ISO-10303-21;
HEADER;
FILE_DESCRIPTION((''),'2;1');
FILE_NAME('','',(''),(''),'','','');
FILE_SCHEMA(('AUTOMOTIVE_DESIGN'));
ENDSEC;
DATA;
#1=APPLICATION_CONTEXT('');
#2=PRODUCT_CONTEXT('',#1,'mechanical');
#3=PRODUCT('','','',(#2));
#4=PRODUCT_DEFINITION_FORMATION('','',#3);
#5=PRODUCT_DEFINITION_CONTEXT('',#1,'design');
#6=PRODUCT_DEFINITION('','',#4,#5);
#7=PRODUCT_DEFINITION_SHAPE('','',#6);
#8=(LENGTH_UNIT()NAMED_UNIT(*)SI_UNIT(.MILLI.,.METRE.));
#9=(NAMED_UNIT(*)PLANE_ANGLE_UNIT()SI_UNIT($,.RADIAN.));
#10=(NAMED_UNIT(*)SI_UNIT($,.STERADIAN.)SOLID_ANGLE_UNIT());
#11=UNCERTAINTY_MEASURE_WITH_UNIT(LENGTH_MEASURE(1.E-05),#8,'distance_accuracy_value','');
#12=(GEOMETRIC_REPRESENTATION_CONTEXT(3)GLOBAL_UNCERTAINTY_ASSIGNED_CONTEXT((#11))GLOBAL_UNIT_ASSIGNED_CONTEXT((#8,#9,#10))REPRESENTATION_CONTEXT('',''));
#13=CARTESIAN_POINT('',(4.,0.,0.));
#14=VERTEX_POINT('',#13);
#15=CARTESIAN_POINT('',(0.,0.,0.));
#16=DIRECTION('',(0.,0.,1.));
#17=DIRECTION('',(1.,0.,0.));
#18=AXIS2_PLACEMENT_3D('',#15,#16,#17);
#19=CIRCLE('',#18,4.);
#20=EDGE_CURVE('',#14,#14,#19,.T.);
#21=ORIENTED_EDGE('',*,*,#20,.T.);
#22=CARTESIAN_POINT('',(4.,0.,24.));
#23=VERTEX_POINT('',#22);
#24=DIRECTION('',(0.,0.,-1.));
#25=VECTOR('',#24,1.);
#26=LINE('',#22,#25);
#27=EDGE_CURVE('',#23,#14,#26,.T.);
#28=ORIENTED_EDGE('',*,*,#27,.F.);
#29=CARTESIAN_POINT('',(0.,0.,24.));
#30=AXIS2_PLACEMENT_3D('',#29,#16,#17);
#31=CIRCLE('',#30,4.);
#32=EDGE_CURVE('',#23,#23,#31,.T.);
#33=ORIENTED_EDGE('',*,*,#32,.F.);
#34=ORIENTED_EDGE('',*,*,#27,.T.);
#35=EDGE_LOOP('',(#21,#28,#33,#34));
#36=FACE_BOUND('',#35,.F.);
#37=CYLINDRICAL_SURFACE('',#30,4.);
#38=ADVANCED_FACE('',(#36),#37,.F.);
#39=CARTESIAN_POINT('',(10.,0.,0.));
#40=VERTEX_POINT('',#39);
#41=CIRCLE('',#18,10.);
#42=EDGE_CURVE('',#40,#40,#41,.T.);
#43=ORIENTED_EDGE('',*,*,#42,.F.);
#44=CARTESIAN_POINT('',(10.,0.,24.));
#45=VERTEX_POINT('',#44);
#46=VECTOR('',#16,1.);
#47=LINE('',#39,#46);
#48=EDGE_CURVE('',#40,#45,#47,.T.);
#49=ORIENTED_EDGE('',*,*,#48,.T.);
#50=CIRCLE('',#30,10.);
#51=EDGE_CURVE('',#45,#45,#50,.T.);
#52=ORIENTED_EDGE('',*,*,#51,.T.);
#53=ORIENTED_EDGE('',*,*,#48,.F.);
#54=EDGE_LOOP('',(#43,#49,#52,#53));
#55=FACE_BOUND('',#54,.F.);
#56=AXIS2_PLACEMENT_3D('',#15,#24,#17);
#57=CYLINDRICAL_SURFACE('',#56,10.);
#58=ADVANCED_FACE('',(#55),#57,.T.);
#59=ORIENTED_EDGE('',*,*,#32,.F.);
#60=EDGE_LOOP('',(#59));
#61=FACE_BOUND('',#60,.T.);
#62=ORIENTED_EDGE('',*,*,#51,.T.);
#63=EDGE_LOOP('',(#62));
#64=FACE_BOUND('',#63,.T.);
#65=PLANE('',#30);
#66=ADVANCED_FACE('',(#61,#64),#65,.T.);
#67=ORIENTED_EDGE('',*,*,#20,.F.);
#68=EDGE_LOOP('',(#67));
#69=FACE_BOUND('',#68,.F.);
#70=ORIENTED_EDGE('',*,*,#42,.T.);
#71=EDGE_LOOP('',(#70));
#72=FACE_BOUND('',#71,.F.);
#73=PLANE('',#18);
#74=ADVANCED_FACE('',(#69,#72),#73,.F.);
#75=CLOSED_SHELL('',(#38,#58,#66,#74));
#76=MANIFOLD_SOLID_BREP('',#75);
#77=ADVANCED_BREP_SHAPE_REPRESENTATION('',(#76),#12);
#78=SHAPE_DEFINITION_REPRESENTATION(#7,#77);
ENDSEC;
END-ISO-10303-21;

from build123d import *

# Parameters (mm, degrees)
CYLINDER_R     = 10
CYLINDER_DEPTH = 24
SKETCH_R       = 4
POCKET_DEPTH   = 24.001


with BuildPart() as part:
    # Cylinder → Cylinder (new body)
    with BuildSketch(Plane.XY):
        Circle(CYLINDER_R)
    extrude(amount=CYLINDER_DEPTH)

    # Sketch → Pocket (cut, through all)
    with BuildSketch(Plane.XY.offset(24)):
        Circle(SKETCH_R)
    extrude(amount=-POCKET_DEPTH, mode=Mode.SUBTRACT)


solid = part.part
